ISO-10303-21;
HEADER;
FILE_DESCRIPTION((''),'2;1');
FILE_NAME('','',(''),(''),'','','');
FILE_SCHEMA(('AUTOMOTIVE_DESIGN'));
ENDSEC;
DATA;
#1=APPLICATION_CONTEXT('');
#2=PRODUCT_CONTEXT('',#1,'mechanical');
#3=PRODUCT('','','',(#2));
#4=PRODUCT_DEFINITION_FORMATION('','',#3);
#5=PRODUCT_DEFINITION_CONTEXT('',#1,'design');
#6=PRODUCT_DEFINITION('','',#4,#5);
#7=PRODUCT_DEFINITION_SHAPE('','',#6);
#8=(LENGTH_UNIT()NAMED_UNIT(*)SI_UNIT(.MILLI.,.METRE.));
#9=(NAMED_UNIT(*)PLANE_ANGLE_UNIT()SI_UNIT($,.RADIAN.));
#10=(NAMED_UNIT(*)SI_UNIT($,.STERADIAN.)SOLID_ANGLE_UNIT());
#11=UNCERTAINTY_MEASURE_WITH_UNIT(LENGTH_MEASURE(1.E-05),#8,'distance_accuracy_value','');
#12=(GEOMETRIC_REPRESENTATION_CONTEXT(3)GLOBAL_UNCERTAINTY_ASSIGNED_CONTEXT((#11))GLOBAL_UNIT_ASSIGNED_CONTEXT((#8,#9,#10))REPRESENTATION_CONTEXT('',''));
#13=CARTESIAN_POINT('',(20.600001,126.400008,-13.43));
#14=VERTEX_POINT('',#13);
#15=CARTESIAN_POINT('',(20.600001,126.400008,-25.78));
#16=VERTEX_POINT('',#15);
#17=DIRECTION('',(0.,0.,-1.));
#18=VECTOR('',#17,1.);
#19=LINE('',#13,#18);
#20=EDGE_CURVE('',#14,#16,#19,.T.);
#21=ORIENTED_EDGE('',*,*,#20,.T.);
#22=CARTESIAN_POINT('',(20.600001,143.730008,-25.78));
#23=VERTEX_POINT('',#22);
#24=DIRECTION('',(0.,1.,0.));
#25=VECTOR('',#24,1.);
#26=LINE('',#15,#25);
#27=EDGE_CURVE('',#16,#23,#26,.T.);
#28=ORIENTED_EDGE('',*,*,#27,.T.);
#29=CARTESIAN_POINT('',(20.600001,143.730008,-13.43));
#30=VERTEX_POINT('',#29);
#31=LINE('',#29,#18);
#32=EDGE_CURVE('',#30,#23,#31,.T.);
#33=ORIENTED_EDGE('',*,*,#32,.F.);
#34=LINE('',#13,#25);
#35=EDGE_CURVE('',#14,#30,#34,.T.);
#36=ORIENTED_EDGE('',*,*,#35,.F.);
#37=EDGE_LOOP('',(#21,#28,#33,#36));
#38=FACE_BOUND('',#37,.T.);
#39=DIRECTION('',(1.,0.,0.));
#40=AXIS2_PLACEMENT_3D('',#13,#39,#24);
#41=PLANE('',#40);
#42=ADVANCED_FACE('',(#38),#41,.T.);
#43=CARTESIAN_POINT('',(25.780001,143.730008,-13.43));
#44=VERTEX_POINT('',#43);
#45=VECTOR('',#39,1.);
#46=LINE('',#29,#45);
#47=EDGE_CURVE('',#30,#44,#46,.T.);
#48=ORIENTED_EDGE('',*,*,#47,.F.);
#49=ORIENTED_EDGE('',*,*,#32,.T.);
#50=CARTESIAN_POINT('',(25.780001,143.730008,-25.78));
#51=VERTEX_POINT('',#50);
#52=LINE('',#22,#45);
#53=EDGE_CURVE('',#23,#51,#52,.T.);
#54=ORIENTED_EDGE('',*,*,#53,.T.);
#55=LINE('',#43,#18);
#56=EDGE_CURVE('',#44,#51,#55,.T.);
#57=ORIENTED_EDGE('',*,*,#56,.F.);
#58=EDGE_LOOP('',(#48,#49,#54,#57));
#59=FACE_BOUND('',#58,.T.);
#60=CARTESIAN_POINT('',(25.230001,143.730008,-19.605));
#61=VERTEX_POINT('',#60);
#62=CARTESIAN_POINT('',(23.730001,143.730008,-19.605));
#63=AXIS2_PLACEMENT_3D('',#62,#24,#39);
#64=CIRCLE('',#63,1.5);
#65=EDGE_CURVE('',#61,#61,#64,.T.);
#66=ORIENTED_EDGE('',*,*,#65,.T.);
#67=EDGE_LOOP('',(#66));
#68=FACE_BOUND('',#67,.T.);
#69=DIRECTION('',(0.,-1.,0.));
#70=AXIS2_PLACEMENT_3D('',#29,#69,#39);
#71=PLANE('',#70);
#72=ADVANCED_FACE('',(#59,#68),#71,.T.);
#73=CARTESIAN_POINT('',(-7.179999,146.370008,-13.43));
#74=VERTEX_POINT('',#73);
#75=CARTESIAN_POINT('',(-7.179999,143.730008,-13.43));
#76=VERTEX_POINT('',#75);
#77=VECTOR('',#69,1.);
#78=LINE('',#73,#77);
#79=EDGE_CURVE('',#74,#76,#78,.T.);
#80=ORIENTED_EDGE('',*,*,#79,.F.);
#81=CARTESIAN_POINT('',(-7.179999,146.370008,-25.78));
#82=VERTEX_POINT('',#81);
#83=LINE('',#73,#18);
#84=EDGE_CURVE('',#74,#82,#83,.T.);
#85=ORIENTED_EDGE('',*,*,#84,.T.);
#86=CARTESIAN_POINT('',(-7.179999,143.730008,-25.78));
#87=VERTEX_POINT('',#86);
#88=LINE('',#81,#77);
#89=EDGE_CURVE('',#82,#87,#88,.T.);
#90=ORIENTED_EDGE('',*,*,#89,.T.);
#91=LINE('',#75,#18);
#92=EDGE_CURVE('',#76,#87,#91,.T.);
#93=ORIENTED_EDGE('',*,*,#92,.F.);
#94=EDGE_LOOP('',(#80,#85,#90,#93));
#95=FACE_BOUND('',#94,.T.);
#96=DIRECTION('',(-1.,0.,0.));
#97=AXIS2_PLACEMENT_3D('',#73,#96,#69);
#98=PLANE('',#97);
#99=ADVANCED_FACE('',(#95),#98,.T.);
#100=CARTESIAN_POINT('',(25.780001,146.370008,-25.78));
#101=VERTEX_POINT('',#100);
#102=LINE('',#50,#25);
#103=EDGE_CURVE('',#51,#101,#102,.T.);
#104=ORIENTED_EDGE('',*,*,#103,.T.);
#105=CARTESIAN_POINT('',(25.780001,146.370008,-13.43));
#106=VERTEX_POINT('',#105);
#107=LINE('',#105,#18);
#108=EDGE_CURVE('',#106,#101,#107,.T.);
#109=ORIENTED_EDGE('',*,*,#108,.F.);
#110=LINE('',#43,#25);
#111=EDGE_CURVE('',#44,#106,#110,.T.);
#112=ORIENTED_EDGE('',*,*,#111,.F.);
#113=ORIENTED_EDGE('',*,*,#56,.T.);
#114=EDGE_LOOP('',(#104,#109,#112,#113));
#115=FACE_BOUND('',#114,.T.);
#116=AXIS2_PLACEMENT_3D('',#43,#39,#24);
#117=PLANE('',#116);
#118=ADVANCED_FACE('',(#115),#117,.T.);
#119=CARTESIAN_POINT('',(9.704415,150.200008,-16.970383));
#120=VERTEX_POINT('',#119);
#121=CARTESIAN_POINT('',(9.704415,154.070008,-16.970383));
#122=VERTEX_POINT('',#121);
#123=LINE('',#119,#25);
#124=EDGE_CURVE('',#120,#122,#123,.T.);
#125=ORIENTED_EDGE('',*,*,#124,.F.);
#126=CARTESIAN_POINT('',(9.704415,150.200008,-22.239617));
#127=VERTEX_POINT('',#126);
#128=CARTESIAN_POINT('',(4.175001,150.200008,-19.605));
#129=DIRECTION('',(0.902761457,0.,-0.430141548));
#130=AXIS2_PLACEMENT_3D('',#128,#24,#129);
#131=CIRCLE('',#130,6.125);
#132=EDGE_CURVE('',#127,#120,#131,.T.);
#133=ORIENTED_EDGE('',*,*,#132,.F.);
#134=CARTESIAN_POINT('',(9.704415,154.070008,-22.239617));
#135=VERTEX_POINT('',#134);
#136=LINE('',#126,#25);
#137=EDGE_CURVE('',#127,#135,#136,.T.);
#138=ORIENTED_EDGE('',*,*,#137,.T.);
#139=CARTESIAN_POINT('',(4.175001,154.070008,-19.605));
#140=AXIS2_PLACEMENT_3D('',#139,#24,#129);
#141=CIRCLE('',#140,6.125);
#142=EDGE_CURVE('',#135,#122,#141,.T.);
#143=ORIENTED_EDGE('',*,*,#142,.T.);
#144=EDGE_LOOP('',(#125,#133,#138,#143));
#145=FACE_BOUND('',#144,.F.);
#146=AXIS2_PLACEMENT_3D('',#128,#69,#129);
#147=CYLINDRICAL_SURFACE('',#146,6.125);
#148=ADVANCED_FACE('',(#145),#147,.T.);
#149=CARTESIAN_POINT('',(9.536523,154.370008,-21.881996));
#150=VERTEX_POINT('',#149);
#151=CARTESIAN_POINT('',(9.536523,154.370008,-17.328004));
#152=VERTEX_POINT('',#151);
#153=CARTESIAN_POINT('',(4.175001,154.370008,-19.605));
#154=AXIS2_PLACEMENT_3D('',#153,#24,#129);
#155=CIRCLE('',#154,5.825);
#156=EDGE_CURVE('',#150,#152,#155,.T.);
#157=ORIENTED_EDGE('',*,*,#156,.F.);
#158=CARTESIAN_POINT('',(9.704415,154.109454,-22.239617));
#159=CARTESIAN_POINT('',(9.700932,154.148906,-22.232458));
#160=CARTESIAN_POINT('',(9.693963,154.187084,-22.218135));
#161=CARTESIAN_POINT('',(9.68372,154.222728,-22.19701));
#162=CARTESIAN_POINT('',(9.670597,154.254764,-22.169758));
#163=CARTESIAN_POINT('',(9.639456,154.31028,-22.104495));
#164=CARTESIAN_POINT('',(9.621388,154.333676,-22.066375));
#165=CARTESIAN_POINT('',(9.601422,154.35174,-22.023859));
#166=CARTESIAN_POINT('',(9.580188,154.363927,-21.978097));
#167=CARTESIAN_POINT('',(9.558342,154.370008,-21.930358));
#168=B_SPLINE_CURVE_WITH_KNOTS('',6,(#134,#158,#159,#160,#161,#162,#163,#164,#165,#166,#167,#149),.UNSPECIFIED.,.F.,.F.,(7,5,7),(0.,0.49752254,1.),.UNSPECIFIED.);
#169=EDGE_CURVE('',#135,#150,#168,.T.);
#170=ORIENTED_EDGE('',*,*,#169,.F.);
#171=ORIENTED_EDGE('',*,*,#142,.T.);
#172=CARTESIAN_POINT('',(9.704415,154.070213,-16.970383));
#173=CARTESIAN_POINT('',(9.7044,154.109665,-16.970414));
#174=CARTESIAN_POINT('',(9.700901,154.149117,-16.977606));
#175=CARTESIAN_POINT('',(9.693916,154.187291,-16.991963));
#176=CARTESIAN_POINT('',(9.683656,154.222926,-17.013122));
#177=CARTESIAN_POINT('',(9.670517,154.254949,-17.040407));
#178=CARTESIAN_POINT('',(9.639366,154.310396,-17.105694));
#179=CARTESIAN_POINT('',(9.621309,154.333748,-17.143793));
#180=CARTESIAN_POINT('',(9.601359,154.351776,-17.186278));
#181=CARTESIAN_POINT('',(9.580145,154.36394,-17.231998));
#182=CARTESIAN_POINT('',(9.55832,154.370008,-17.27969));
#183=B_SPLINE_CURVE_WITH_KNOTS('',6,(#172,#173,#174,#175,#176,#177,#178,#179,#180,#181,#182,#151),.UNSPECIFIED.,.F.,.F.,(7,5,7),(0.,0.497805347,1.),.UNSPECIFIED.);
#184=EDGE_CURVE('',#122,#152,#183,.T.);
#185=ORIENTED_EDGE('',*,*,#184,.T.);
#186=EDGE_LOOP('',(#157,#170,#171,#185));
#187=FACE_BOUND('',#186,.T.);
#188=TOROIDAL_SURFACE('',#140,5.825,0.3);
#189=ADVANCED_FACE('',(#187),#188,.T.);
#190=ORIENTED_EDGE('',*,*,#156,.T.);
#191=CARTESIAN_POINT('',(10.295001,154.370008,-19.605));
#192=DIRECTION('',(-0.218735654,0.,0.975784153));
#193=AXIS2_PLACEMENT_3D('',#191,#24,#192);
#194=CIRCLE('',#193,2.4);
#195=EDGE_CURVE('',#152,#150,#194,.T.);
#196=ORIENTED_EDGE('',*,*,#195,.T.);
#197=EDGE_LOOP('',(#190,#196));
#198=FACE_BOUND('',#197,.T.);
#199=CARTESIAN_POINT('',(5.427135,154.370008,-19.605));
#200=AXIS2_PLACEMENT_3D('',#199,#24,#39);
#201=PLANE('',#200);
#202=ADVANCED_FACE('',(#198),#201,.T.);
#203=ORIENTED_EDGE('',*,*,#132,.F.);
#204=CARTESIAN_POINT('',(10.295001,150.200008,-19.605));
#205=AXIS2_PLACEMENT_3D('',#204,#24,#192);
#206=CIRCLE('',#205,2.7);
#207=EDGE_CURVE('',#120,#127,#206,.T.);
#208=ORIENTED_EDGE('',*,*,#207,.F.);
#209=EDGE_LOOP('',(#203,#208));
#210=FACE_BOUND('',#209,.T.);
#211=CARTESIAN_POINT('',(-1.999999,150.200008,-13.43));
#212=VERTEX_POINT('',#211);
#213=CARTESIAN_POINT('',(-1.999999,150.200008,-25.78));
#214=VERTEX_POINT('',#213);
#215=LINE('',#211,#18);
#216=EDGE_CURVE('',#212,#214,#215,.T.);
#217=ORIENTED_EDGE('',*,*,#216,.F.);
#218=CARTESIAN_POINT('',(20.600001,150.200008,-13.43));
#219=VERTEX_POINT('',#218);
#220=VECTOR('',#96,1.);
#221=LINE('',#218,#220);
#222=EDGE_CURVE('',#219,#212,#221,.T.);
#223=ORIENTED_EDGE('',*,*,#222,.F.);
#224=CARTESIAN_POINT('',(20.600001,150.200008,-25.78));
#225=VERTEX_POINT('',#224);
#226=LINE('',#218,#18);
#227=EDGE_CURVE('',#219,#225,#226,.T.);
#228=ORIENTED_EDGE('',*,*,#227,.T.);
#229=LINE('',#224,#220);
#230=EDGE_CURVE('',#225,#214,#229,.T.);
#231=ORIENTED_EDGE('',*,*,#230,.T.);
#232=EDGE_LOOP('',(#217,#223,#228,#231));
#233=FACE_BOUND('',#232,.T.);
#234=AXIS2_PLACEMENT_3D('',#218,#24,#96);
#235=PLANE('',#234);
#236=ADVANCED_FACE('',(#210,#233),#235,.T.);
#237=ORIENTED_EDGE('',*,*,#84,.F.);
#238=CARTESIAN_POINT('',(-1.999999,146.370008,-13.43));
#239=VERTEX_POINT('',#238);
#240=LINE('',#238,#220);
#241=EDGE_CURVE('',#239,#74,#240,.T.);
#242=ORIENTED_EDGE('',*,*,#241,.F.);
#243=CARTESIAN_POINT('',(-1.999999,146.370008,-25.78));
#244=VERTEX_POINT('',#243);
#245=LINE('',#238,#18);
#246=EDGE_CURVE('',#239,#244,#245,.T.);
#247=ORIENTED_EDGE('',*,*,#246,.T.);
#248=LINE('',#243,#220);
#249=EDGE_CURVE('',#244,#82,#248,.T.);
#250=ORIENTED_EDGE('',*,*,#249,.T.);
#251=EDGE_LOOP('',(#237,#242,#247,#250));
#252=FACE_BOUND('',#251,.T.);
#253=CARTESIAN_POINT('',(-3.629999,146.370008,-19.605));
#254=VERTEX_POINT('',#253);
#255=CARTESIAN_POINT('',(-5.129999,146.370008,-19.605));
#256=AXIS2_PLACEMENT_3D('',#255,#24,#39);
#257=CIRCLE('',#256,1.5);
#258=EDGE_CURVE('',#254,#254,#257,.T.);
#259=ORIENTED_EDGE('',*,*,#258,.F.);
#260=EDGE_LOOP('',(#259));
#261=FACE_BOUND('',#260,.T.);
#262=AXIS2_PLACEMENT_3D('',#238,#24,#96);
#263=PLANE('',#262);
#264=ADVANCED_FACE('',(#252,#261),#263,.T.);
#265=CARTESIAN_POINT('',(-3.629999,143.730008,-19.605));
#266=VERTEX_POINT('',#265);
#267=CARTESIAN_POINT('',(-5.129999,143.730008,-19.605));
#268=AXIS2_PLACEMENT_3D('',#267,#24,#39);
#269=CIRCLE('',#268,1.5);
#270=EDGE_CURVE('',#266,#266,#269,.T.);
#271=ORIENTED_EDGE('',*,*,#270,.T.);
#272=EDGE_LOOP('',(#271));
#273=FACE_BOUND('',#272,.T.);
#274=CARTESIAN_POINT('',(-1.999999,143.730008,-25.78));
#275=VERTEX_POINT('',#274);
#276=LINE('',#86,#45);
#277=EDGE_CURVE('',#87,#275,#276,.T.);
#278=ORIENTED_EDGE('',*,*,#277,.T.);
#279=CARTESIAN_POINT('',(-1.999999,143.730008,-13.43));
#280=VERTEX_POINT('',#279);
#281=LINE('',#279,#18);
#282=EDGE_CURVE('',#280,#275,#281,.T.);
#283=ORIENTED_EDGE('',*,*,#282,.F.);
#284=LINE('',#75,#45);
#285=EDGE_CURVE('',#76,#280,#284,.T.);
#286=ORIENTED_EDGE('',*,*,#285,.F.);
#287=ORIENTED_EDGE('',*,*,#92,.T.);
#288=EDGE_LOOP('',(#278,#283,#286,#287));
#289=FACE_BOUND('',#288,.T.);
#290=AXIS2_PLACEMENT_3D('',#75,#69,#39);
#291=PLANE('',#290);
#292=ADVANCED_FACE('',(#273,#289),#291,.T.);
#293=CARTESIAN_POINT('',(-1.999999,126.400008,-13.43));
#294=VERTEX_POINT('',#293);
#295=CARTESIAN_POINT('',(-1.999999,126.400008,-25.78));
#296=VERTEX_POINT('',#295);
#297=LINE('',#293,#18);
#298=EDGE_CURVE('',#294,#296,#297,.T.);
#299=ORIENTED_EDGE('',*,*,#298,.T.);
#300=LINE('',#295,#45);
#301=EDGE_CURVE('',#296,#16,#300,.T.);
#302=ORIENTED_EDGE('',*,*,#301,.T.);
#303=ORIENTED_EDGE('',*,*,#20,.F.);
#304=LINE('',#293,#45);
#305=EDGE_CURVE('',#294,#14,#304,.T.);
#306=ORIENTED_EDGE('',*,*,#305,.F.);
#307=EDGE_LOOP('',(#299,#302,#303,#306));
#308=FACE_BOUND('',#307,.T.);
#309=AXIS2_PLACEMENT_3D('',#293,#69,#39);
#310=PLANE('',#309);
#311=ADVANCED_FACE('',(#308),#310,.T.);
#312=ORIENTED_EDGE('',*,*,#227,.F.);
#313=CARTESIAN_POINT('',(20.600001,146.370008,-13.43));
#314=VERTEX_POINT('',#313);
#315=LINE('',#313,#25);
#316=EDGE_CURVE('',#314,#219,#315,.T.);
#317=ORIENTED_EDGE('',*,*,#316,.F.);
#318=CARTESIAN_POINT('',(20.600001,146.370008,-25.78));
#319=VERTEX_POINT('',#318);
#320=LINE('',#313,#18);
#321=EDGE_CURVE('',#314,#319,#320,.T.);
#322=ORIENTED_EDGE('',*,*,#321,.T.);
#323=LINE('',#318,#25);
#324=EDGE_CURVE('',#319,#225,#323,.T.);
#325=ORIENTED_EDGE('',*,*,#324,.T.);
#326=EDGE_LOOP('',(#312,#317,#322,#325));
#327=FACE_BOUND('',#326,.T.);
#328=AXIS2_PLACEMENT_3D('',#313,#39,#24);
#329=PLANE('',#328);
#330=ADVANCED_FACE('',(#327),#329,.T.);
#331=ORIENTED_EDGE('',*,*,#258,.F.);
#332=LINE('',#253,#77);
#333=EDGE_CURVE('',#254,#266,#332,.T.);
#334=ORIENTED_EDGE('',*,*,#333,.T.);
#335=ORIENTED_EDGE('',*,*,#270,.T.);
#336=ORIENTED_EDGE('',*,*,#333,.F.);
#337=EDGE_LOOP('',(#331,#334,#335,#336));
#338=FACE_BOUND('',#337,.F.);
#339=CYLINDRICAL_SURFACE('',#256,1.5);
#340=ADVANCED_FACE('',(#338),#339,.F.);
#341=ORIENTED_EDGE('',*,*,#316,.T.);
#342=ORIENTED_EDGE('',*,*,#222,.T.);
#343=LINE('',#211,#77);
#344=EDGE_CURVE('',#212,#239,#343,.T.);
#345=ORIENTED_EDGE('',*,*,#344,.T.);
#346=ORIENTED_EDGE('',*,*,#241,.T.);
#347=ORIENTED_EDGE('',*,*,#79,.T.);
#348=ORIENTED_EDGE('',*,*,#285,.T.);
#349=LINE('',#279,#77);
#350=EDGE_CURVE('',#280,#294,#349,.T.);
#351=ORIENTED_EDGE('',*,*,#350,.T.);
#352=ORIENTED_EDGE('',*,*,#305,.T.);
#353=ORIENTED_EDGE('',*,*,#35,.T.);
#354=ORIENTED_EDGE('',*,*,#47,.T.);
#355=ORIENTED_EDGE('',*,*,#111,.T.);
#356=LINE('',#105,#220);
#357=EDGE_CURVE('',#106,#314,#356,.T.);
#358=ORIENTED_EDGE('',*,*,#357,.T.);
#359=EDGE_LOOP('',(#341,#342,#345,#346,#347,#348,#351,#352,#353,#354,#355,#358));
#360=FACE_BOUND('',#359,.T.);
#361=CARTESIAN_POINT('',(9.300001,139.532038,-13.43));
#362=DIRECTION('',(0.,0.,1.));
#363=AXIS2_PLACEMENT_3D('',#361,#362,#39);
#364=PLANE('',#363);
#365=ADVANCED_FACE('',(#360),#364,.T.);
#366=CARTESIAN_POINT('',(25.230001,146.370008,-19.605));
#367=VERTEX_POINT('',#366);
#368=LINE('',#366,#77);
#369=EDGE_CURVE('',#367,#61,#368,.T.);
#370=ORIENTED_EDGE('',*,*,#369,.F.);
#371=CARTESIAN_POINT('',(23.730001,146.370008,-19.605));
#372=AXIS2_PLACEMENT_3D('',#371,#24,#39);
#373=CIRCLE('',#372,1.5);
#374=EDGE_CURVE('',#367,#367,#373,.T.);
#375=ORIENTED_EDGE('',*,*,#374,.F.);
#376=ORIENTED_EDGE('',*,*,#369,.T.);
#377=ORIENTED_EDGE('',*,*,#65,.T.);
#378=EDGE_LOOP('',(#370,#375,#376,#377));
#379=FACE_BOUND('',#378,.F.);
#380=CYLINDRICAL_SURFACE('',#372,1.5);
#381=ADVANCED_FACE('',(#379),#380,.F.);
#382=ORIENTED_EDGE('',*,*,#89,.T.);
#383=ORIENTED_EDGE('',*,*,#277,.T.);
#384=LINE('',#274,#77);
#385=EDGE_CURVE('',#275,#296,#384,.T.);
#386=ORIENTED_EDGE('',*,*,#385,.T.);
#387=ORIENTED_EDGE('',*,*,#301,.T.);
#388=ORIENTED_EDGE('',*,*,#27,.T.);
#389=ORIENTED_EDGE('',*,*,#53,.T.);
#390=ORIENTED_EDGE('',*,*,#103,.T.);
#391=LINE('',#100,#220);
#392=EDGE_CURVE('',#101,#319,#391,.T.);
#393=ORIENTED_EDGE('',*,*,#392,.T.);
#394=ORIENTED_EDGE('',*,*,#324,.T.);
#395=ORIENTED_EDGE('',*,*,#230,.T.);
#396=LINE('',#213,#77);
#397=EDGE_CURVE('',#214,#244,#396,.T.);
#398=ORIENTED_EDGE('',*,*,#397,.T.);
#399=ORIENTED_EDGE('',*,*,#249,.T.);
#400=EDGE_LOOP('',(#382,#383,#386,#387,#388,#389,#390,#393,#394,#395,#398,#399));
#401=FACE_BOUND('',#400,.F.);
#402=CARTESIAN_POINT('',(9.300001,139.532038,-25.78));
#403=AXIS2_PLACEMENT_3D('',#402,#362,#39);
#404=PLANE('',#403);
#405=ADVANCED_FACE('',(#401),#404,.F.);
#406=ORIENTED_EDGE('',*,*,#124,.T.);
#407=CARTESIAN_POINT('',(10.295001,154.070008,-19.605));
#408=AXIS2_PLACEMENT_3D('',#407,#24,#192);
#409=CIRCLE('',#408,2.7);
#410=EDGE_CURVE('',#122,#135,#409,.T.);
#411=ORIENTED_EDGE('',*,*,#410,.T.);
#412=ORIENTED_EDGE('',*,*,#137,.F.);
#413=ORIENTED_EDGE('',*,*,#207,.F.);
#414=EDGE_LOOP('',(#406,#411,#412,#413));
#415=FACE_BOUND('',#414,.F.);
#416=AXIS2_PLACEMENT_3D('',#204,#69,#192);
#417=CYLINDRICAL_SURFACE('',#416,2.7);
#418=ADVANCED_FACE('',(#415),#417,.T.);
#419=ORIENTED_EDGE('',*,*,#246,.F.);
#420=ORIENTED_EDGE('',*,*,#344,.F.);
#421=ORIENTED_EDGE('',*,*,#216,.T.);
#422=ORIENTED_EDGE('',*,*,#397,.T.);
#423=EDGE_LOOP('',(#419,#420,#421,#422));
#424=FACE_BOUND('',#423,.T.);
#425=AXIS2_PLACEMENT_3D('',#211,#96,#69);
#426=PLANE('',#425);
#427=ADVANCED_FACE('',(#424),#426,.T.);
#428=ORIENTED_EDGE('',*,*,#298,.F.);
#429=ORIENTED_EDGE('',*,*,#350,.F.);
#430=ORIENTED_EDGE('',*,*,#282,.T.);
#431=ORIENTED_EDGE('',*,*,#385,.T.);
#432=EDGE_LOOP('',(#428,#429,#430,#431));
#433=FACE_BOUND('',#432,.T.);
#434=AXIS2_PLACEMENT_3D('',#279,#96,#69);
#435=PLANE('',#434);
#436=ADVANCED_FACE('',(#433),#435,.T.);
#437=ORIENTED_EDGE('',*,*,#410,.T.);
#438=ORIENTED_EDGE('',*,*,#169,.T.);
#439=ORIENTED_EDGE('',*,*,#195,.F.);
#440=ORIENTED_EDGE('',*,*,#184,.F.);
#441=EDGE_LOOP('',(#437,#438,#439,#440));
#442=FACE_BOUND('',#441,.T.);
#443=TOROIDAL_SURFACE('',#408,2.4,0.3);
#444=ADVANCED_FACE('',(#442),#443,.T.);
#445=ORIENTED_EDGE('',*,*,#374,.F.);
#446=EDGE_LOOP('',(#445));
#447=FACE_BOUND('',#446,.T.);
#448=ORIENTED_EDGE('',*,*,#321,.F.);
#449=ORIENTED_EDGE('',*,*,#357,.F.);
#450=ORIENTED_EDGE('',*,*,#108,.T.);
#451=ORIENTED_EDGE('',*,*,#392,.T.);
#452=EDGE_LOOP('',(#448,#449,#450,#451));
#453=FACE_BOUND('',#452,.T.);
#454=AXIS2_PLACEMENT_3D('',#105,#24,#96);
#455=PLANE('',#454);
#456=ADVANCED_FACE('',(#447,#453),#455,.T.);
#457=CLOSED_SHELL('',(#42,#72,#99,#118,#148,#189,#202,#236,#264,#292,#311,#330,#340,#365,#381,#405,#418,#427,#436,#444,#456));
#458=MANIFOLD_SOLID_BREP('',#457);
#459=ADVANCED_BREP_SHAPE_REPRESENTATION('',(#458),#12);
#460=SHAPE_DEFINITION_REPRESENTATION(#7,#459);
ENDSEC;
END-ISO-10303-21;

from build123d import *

# Parameters (mm, degrees)
PAD023_DEPTH            = 12.35
PAD022_DEPTH            = 4.17
SKETCH044_R             = 1.5
POCKET016_DEPTH         = 5
FILLET020_R             = 0.3
BODY011_PLACEMENT_ANGLE = 180


with BuildPart() as part:
    # Sketch045 → Pad023 (new body)
    with BuildSketch(Plane.XY):
        Polygon((0, 23.8), (22.6, 23.8), (22.6, 19.97), (27.78, 19.97), (27.78, 17.33), (22.6, 17.33), (22.6, 0), (0, 0), (0, 17.33), (-5.18, 17.33), (-5.18, 19.97), (0, 19.97), align=None)
    extrude(amount=PAD023_DEPTH)

    # Sketch043 (on Face4 of Pad023) → Pad022 (join)
    with BuildSketch(Plane(origin=(0, 23.8, 0), x_dir=(-1, 0, 0), z_dir=(0, 1, 0))):
        with BuildLine():
            ThreePointArc((-10.895586, 8.809617), (-22.55, 6.175), (-10.895586, 3.540383))
            ThreePointArc((-10.895586, 3.540383), (-7.605, 6.175), (-10.895586, 8.809617))
        make_face()
    extrude(amount=PAD022_DEPTH)

    # Sketch044 (on Face10 of Pad022) → Pocket016 (cut)
    with BuildSketch(Plane(origin=(0, 19.97, 0), x_dir=(-1, 0, 0), z_dir=(0, 1, 0))):
        with Locations((-25.73, 6.175)):
            Circle(SKETCH044_R)
        with Locations((3.13, 6.175)):
            Circle(SKETCH044_R)
    extrude(amount=-POCKET016_DEPTH, mode=Mode.SUBTRACT)

    # Fillet020
    fillet020_edges = [part.edges().sort_by_distance(p)[0] for p in [
        (22.55, 27.97, 6.175),
        (7.605, 27.97, 6.175),
    ]]
    fillet(fillet020_edges, radius=FILLET020_R)


with BuildPart() as part_1:
    # Body011 placement: moved
    add(part.part.moved(Location((20.600001, 126.400008, -13.43))).rotate(Axis((20.600001, 126.400008, -13.43), (0, 1, 0)), BODY011_PLACEMENT_ANGLE))


solid = part_1.part
